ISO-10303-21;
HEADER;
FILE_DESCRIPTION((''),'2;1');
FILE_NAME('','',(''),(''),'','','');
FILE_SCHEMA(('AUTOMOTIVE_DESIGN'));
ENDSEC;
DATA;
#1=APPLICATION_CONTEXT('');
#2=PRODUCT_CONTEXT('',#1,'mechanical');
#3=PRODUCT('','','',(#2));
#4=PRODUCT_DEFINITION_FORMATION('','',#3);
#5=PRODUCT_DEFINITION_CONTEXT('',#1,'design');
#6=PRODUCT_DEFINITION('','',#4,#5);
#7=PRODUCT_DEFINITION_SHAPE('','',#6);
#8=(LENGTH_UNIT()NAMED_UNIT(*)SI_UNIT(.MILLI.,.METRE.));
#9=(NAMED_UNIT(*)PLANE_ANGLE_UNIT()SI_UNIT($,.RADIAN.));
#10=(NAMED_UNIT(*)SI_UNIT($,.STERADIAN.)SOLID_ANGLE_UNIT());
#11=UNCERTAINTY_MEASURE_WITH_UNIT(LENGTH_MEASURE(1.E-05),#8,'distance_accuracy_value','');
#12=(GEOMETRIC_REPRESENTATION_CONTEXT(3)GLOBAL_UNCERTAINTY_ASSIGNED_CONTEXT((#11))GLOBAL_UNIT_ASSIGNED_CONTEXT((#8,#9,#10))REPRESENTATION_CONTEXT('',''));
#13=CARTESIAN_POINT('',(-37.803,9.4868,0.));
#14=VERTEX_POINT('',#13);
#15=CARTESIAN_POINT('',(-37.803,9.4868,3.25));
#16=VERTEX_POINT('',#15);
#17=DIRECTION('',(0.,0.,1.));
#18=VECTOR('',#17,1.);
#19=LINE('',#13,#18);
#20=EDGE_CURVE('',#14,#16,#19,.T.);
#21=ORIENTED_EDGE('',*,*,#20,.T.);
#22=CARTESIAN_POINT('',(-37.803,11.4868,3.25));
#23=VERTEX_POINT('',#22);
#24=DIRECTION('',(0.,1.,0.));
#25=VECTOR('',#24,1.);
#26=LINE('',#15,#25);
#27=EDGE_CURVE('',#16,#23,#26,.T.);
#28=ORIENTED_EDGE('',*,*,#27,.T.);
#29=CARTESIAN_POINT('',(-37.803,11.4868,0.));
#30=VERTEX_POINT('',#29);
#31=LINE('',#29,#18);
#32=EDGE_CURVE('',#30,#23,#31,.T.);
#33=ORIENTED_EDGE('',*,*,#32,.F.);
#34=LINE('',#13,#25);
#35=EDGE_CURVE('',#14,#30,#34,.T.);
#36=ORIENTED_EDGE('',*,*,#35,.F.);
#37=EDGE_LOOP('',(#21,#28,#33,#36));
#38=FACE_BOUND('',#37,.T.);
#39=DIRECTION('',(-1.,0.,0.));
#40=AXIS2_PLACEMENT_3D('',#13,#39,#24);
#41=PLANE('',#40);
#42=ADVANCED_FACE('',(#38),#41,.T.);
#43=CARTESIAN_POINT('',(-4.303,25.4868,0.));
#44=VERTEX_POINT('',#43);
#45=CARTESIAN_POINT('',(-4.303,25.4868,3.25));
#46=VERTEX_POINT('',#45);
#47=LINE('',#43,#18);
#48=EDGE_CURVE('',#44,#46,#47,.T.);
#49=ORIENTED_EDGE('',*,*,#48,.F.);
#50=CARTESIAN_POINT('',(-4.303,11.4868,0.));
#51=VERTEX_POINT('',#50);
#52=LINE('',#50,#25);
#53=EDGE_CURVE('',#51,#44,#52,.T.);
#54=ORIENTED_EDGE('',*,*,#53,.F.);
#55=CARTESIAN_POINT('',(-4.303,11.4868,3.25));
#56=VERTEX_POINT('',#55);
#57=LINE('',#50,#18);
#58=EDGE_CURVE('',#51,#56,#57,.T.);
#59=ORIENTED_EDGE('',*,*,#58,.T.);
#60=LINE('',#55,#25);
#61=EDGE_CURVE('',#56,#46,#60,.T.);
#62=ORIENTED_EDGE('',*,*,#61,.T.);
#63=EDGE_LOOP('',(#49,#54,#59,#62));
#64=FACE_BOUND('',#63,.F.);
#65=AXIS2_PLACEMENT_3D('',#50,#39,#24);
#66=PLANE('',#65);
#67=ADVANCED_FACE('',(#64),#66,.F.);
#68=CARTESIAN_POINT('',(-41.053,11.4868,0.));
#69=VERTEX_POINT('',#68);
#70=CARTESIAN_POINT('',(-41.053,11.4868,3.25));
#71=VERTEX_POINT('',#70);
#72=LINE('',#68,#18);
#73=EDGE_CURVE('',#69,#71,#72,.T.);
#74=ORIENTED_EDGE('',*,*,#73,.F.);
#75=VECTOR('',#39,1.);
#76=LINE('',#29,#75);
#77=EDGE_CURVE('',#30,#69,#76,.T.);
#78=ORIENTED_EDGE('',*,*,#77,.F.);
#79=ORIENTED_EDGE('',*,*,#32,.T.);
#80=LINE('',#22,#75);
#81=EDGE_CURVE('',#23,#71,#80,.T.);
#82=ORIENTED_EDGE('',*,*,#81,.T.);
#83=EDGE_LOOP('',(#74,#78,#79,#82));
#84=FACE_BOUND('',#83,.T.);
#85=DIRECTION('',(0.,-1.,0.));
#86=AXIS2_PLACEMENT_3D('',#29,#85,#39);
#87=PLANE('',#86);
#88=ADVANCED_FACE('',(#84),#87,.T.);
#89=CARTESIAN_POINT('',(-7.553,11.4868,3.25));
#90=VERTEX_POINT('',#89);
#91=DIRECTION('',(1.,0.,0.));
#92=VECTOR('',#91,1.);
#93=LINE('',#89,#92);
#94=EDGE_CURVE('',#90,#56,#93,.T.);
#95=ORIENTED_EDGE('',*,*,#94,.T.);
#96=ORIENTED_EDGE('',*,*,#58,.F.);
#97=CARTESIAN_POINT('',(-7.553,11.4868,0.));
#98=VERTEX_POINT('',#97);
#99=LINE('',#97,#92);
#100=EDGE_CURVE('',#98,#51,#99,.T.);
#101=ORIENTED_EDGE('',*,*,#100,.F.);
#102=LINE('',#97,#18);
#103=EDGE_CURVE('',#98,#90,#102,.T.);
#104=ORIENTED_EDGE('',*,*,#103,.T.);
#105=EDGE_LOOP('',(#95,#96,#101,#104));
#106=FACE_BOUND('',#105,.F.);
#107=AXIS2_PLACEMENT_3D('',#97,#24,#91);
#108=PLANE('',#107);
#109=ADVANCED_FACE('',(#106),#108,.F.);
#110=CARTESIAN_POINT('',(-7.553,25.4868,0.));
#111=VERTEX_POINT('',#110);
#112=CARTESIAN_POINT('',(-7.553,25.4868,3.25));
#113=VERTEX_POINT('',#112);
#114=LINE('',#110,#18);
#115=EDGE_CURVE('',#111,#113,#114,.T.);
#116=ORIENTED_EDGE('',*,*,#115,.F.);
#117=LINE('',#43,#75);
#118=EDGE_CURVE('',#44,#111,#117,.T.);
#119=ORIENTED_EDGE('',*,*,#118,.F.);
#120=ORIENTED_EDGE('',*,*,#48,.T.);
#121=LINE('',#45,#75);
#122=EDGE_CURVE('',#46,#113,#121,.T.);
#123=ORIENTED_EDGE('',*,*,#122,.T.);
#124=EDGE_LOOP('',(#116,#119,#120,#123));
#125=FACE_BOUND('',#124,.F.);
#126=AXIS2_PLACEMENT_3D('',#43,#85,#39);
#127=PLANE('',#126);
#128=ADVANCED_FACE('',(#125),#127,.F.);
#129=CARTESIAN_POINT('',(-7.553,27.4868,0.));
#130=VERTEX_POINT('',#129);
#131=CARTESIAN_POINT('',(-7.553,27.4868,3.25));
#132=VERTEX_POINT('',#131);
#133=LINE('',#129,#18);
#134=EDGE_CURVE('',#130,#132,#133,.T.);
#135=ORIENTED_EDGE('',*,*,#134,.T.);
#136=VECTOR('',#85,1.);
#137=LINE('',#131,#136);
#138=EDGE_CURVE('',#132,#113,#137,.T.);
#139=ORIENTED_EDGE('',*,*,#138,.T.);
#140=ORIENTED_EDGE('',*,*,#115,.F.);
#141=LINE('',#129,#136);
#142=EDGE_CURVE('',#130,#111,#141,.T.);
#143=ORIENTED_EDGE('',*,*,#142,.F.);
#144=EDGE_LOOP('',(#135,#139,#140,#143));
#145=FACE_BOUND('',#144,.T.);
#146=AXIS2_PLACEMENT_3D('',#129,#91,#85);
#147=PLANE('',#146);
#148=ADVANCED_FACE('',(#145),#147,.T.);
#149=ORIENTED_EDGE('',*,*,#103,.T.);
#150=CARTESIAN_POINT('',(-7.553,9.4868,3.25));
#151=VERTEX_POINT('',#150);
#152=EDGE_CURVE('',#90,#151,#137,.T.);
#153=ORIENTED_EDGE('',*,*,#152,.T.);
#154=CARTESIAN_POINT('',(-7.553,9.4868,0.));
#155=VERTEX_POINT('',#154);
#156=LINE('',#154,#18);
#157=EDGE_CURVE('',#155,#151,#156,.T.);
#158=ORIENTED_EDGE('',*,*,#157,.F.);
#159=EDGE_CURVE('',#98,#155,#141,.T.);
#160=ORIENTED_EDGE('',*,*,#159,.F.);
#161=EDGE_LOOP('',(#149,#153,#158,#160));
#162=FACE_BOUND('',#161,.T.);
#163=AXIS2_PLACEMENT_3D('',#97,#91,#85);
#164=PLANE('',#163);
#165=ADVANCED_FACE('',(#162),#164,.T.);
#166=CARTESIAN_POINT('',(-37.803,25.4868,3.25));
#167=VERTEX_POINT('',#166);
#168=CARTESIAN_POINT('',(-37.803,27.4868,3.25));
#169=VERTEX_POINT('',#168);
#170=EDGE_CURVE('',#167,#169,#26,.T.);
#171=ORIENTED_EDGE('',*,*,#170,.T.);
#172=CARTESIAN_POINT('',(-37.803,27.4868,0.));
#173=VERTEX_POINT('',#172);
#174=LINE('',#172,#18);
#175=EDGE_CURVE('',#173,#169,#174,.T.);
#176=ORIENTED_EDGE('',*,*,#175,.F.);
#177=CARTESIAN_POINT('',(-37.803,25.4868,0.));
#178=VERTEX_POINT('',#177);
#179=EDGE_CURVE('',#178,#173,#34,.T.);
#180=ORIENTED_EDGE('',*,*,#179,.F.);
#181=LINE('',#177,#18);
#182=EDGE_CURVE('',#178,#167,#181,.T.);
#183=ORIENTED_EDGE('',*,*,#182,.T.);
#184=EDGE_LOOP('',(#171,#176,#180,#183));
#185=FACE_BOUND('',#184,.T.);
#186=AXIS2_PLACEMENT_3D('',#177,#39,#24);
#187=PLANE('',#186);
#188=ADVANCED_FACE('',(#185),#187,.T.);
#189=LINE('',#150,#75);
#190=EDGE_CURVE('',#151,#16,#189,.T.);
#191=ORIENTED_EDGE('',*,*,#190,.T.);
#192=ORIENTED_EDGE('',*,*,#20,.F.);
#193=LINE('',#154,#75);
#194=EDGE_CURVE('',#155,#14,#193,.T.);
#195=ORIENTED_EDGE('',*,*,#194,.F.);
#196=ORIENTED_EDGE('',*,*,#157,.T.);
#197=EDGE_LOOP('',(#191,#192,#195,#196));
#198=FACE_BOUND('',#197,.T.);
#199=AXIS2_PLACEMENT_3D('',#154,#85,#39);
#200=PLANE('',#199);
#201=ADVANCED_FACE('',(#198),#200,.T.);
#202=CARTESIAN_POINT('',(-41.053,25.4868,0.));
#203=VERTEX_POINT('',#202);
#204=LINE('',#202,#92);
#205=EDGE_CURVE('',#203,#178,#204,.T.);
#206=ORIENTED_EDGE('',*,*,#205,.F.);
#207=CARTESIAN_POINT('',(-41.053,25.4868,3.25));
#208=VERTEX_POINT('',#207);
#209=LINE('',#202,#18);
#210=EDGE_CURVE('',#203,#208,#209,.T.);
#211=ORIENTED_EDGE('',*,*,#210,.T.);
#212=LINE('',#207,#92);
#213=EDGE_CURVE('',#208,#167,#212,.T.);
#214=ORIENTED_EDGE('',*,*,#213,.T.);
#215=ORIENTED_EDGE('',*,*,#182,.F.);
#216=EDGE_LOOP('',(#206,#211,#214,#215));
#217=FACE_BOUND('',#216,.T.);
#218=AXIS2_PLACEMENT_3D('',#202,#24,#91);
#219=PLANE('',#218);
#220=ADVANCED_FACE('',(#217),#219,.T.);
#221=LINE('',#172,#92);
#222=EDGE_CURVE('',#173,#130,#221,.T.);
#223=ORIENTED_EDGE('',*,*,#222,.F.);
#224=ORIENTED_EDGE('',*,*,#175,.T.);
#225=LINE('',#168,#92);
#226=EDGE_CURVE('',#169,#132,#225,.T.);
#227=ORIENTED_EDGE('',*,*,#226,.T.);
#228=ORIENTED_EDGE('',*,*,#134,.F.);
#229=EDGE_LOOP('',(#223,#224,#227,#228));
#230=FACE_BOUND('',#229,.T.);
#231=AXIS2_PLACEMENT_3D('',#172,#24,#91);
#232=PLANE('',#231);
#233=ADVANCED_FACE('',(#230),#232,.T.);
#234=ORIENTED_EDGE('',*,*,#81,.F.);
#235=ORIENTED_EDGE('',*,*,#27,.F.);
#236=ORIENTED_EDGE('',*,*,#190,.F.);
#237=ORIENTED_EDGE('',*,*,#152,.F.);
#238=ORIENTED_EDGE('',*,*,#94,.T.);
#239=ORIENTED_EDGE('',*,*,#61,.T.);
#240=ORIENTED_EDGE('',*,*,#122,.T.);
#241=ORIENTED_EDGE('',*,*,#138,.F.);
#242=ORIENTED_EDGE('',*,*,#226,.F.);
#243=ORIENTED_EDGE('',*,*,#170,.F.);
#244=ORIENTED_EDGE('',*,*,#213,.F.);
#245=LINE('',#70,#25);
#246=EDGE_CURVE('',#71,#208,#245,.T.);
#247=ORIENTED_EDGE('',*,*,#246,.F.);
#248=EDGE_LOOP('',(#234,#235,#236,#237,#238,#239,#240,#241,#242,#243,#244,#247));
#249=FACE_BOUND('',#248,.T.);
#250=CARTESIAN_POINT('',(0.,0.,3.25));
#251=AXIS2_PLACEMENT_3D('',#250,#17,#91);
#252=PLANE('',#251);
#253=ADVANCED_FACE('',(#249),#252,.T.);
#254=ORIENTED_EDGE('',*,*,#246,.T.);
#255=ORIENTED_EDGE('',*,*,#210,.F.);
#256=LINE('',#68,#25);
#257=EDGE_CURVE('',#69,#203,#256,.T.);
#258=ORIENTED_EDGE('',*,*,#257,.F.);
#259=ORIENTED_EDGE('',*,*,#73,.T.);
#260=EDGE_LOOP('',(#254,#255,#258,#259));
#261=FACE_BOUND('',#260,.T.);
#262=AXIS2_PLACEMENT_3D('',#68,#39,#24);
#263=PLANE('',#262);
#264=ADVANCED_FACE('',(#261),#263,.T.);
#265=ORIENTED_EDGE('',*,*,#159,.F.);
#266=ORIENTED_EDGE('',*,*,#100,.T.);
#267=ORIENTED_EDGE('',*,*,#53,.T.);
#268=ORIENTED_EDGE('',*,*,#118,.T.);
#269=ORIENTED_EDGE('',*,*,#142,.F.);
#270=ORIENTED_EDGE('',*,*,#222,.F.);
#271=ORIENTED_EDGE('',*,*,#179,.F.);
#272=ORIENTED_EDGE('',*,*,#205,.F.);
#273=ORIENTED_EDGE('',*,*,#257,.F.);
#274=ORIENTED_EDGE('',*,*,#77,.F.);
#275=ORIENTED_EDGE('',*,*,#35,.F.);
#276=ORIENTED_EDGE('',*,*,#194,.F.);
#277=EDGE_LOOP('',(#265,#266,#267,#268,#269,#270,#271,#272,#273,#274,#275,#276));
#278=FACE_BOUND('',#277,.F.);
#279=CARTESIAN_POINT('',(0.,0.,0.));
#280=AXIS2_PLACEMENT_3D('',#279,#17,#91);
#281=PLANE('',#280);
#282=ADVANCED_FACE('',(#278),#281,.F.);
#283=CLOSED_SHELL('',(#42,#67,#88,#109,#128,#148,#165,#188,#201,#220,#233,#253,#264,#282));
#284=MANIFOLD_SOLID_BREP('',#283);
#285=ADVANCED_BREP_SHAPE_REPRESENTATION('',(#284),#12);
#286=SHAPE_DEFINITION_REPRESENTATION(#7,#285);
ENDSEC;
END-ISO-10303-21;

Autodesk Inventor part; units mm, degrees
ref_plane "YZ Plane" through (0, 0, 0) normal (1, 0, 0) x (0, 1, 0)
ref_plane "XZ Plane" through (0, 0, 0) normal (0, 1, 0) x (-1, 0, 0)
ref_plane "XY Plane" through (0, 0, 0) normal (0, 0, 1) x (1, 0, 0)
sketch "Block1" plane through (0, 0, 0) normal (0, 0, 1) x (1, 0, 0)
  circle A0 centre (74.029, 24.2723) radius 1
  line L0 (49.279, 30.4723) -> (71.779, 30.4723)
  line L1 (71.779, 30.4723) -> (71.779, 18.0723)
  line L2 (71.779, 18.0723) -> (49.279, 18.0723)
  line L3 (49.279, 18.0723) -> (49.279, 30.4723)
  line L4 (49.279, 30.4723) -> (44.779, 30.4723)
  line L5 (44.779, 30.4723) -> (44.779, 18.0723)
  line L6 (44.779, 18.0723) -> (49.279, 18.0723)
  line L7 (49.279, 18.0723) -> (49.279, 30.4723)
  line L8 (71.779, 30.4723) -> (76.279, 30.4723)
  line L9 (76.279, 30.4723) -> (76.279, 18.0723)
  line L10 (76.279, 18.0723) -> (71.779, 18.0723)
  line L11 (71.779, 18.0723) -> (71.779, 30.4723)
  line L12 (44.779, 24.2723) -> (76.279, 24.2723) construction
  line L13 (47.029, 30.4723) -> (47.029, 18.0723) construction
  circle A1 centre (47.029, 24.2723) radius 1
  line L14 (74.029, 30.4723) -> (74.029, 18.0723) construction
  point P0 (60.979, 24.0984)
  dimension "d7" = 22.5
  dimension "d8" = 12.4
  dimension "d9" = 4.5
  dimension "d10" = 4.5
  dimension "d11" = 2
  dimension "d12" = 2
sketch "Sketch1" plane through (0, 0, 0) normal (0, 0, 1) x (1, 0, 0)
  line L0 (-92.7646, -8.503) -> (-89.7646, -8.503)
  line L1 (-89.7646, -8.503) -> (-89.7646, -11.753)
  line L2 (-89.7646, -11.753) -> (-92.7646, -11.753)
  line L3 (-92.7646, -11.753) -> (-92.7646, -8.503)
  line L4 (-92.7646, -21.6527) -> (-89.7646, -21.6527)
  line L5 (-89.7646, -21.6527) -> (-89.7646, -21.7527)
  line L6 (-89.7646, -21.7527) -> (-92.7646, -21.7527)
  line L7 (-92.7646, -21.7527) -> (-92.7646, -21.6527)
  line L8 (-37.803, 27.4868) -> (-7.553, 27.4868)
  line L9 (-7.553, 27.4868) -> (-7.553, 9.4868)
  line L10 (-7.553, 9.4868) -> (-37.803, 9.4868)
  line L11 (-37.803, 9.4868) -> (-37.803, 27.4868)
  line L12 (-41.053, 25.4868) -> (-37.803, 25.4868)
  line L13 (-37.803, 25.4868) -> (-37.803, 11.4868)
  line L14 (-37.803, 11.4868) -> (-41.053, 11.4868)
  line L15 (-41.053, 11.4868) -> (-41.053, 25.4868)
  line L16 (-37.803, 18.4868) -> (-7.553, 18.4868) construction
  line L17 (-22.678, 27.4868) -> (-22.678, 9.4868) construction
  line L18 (-41.053, 18.4868) -> (-37.803, 18.4868) construction
  line L19 (-4.303, 25.4868) -> (-7.553, 25.4868)
  line L20 (-7.553, 25.4868) -> (-7.553, 11.4868)
  line L21 (-7.553, 11.4868) -> (-4.303, 11.4868)
  line L22 (-4.303, 11.4868) -> (-4.303, 25.4868)
  line L23 (-4.303, 18.4868) -> (-7.553, 18.4868) construction
  point P0 (0, 0)
  point P1 (-7.553, 18.4868)
  dimension "d0" = 3
  dimension "mat" = 3.25
  dimension "d2" = 3
  dimension "d3" = 0.1
  dimension "d38" = 30.25
  dimension "d39" = 18
  dimension "d40" = 3.25
  dimension "d41" = 14
extrude "Extrusion5" add sketch "Sketch1" along normal blind 3.25 contours L8 L9 L10 L11 | L11 L14 L15 L12 | L19 L22 L21 L9
equation "\"d40\" = mat"
equation "\"d42\" = mat"
properties part number "arm-servo"
